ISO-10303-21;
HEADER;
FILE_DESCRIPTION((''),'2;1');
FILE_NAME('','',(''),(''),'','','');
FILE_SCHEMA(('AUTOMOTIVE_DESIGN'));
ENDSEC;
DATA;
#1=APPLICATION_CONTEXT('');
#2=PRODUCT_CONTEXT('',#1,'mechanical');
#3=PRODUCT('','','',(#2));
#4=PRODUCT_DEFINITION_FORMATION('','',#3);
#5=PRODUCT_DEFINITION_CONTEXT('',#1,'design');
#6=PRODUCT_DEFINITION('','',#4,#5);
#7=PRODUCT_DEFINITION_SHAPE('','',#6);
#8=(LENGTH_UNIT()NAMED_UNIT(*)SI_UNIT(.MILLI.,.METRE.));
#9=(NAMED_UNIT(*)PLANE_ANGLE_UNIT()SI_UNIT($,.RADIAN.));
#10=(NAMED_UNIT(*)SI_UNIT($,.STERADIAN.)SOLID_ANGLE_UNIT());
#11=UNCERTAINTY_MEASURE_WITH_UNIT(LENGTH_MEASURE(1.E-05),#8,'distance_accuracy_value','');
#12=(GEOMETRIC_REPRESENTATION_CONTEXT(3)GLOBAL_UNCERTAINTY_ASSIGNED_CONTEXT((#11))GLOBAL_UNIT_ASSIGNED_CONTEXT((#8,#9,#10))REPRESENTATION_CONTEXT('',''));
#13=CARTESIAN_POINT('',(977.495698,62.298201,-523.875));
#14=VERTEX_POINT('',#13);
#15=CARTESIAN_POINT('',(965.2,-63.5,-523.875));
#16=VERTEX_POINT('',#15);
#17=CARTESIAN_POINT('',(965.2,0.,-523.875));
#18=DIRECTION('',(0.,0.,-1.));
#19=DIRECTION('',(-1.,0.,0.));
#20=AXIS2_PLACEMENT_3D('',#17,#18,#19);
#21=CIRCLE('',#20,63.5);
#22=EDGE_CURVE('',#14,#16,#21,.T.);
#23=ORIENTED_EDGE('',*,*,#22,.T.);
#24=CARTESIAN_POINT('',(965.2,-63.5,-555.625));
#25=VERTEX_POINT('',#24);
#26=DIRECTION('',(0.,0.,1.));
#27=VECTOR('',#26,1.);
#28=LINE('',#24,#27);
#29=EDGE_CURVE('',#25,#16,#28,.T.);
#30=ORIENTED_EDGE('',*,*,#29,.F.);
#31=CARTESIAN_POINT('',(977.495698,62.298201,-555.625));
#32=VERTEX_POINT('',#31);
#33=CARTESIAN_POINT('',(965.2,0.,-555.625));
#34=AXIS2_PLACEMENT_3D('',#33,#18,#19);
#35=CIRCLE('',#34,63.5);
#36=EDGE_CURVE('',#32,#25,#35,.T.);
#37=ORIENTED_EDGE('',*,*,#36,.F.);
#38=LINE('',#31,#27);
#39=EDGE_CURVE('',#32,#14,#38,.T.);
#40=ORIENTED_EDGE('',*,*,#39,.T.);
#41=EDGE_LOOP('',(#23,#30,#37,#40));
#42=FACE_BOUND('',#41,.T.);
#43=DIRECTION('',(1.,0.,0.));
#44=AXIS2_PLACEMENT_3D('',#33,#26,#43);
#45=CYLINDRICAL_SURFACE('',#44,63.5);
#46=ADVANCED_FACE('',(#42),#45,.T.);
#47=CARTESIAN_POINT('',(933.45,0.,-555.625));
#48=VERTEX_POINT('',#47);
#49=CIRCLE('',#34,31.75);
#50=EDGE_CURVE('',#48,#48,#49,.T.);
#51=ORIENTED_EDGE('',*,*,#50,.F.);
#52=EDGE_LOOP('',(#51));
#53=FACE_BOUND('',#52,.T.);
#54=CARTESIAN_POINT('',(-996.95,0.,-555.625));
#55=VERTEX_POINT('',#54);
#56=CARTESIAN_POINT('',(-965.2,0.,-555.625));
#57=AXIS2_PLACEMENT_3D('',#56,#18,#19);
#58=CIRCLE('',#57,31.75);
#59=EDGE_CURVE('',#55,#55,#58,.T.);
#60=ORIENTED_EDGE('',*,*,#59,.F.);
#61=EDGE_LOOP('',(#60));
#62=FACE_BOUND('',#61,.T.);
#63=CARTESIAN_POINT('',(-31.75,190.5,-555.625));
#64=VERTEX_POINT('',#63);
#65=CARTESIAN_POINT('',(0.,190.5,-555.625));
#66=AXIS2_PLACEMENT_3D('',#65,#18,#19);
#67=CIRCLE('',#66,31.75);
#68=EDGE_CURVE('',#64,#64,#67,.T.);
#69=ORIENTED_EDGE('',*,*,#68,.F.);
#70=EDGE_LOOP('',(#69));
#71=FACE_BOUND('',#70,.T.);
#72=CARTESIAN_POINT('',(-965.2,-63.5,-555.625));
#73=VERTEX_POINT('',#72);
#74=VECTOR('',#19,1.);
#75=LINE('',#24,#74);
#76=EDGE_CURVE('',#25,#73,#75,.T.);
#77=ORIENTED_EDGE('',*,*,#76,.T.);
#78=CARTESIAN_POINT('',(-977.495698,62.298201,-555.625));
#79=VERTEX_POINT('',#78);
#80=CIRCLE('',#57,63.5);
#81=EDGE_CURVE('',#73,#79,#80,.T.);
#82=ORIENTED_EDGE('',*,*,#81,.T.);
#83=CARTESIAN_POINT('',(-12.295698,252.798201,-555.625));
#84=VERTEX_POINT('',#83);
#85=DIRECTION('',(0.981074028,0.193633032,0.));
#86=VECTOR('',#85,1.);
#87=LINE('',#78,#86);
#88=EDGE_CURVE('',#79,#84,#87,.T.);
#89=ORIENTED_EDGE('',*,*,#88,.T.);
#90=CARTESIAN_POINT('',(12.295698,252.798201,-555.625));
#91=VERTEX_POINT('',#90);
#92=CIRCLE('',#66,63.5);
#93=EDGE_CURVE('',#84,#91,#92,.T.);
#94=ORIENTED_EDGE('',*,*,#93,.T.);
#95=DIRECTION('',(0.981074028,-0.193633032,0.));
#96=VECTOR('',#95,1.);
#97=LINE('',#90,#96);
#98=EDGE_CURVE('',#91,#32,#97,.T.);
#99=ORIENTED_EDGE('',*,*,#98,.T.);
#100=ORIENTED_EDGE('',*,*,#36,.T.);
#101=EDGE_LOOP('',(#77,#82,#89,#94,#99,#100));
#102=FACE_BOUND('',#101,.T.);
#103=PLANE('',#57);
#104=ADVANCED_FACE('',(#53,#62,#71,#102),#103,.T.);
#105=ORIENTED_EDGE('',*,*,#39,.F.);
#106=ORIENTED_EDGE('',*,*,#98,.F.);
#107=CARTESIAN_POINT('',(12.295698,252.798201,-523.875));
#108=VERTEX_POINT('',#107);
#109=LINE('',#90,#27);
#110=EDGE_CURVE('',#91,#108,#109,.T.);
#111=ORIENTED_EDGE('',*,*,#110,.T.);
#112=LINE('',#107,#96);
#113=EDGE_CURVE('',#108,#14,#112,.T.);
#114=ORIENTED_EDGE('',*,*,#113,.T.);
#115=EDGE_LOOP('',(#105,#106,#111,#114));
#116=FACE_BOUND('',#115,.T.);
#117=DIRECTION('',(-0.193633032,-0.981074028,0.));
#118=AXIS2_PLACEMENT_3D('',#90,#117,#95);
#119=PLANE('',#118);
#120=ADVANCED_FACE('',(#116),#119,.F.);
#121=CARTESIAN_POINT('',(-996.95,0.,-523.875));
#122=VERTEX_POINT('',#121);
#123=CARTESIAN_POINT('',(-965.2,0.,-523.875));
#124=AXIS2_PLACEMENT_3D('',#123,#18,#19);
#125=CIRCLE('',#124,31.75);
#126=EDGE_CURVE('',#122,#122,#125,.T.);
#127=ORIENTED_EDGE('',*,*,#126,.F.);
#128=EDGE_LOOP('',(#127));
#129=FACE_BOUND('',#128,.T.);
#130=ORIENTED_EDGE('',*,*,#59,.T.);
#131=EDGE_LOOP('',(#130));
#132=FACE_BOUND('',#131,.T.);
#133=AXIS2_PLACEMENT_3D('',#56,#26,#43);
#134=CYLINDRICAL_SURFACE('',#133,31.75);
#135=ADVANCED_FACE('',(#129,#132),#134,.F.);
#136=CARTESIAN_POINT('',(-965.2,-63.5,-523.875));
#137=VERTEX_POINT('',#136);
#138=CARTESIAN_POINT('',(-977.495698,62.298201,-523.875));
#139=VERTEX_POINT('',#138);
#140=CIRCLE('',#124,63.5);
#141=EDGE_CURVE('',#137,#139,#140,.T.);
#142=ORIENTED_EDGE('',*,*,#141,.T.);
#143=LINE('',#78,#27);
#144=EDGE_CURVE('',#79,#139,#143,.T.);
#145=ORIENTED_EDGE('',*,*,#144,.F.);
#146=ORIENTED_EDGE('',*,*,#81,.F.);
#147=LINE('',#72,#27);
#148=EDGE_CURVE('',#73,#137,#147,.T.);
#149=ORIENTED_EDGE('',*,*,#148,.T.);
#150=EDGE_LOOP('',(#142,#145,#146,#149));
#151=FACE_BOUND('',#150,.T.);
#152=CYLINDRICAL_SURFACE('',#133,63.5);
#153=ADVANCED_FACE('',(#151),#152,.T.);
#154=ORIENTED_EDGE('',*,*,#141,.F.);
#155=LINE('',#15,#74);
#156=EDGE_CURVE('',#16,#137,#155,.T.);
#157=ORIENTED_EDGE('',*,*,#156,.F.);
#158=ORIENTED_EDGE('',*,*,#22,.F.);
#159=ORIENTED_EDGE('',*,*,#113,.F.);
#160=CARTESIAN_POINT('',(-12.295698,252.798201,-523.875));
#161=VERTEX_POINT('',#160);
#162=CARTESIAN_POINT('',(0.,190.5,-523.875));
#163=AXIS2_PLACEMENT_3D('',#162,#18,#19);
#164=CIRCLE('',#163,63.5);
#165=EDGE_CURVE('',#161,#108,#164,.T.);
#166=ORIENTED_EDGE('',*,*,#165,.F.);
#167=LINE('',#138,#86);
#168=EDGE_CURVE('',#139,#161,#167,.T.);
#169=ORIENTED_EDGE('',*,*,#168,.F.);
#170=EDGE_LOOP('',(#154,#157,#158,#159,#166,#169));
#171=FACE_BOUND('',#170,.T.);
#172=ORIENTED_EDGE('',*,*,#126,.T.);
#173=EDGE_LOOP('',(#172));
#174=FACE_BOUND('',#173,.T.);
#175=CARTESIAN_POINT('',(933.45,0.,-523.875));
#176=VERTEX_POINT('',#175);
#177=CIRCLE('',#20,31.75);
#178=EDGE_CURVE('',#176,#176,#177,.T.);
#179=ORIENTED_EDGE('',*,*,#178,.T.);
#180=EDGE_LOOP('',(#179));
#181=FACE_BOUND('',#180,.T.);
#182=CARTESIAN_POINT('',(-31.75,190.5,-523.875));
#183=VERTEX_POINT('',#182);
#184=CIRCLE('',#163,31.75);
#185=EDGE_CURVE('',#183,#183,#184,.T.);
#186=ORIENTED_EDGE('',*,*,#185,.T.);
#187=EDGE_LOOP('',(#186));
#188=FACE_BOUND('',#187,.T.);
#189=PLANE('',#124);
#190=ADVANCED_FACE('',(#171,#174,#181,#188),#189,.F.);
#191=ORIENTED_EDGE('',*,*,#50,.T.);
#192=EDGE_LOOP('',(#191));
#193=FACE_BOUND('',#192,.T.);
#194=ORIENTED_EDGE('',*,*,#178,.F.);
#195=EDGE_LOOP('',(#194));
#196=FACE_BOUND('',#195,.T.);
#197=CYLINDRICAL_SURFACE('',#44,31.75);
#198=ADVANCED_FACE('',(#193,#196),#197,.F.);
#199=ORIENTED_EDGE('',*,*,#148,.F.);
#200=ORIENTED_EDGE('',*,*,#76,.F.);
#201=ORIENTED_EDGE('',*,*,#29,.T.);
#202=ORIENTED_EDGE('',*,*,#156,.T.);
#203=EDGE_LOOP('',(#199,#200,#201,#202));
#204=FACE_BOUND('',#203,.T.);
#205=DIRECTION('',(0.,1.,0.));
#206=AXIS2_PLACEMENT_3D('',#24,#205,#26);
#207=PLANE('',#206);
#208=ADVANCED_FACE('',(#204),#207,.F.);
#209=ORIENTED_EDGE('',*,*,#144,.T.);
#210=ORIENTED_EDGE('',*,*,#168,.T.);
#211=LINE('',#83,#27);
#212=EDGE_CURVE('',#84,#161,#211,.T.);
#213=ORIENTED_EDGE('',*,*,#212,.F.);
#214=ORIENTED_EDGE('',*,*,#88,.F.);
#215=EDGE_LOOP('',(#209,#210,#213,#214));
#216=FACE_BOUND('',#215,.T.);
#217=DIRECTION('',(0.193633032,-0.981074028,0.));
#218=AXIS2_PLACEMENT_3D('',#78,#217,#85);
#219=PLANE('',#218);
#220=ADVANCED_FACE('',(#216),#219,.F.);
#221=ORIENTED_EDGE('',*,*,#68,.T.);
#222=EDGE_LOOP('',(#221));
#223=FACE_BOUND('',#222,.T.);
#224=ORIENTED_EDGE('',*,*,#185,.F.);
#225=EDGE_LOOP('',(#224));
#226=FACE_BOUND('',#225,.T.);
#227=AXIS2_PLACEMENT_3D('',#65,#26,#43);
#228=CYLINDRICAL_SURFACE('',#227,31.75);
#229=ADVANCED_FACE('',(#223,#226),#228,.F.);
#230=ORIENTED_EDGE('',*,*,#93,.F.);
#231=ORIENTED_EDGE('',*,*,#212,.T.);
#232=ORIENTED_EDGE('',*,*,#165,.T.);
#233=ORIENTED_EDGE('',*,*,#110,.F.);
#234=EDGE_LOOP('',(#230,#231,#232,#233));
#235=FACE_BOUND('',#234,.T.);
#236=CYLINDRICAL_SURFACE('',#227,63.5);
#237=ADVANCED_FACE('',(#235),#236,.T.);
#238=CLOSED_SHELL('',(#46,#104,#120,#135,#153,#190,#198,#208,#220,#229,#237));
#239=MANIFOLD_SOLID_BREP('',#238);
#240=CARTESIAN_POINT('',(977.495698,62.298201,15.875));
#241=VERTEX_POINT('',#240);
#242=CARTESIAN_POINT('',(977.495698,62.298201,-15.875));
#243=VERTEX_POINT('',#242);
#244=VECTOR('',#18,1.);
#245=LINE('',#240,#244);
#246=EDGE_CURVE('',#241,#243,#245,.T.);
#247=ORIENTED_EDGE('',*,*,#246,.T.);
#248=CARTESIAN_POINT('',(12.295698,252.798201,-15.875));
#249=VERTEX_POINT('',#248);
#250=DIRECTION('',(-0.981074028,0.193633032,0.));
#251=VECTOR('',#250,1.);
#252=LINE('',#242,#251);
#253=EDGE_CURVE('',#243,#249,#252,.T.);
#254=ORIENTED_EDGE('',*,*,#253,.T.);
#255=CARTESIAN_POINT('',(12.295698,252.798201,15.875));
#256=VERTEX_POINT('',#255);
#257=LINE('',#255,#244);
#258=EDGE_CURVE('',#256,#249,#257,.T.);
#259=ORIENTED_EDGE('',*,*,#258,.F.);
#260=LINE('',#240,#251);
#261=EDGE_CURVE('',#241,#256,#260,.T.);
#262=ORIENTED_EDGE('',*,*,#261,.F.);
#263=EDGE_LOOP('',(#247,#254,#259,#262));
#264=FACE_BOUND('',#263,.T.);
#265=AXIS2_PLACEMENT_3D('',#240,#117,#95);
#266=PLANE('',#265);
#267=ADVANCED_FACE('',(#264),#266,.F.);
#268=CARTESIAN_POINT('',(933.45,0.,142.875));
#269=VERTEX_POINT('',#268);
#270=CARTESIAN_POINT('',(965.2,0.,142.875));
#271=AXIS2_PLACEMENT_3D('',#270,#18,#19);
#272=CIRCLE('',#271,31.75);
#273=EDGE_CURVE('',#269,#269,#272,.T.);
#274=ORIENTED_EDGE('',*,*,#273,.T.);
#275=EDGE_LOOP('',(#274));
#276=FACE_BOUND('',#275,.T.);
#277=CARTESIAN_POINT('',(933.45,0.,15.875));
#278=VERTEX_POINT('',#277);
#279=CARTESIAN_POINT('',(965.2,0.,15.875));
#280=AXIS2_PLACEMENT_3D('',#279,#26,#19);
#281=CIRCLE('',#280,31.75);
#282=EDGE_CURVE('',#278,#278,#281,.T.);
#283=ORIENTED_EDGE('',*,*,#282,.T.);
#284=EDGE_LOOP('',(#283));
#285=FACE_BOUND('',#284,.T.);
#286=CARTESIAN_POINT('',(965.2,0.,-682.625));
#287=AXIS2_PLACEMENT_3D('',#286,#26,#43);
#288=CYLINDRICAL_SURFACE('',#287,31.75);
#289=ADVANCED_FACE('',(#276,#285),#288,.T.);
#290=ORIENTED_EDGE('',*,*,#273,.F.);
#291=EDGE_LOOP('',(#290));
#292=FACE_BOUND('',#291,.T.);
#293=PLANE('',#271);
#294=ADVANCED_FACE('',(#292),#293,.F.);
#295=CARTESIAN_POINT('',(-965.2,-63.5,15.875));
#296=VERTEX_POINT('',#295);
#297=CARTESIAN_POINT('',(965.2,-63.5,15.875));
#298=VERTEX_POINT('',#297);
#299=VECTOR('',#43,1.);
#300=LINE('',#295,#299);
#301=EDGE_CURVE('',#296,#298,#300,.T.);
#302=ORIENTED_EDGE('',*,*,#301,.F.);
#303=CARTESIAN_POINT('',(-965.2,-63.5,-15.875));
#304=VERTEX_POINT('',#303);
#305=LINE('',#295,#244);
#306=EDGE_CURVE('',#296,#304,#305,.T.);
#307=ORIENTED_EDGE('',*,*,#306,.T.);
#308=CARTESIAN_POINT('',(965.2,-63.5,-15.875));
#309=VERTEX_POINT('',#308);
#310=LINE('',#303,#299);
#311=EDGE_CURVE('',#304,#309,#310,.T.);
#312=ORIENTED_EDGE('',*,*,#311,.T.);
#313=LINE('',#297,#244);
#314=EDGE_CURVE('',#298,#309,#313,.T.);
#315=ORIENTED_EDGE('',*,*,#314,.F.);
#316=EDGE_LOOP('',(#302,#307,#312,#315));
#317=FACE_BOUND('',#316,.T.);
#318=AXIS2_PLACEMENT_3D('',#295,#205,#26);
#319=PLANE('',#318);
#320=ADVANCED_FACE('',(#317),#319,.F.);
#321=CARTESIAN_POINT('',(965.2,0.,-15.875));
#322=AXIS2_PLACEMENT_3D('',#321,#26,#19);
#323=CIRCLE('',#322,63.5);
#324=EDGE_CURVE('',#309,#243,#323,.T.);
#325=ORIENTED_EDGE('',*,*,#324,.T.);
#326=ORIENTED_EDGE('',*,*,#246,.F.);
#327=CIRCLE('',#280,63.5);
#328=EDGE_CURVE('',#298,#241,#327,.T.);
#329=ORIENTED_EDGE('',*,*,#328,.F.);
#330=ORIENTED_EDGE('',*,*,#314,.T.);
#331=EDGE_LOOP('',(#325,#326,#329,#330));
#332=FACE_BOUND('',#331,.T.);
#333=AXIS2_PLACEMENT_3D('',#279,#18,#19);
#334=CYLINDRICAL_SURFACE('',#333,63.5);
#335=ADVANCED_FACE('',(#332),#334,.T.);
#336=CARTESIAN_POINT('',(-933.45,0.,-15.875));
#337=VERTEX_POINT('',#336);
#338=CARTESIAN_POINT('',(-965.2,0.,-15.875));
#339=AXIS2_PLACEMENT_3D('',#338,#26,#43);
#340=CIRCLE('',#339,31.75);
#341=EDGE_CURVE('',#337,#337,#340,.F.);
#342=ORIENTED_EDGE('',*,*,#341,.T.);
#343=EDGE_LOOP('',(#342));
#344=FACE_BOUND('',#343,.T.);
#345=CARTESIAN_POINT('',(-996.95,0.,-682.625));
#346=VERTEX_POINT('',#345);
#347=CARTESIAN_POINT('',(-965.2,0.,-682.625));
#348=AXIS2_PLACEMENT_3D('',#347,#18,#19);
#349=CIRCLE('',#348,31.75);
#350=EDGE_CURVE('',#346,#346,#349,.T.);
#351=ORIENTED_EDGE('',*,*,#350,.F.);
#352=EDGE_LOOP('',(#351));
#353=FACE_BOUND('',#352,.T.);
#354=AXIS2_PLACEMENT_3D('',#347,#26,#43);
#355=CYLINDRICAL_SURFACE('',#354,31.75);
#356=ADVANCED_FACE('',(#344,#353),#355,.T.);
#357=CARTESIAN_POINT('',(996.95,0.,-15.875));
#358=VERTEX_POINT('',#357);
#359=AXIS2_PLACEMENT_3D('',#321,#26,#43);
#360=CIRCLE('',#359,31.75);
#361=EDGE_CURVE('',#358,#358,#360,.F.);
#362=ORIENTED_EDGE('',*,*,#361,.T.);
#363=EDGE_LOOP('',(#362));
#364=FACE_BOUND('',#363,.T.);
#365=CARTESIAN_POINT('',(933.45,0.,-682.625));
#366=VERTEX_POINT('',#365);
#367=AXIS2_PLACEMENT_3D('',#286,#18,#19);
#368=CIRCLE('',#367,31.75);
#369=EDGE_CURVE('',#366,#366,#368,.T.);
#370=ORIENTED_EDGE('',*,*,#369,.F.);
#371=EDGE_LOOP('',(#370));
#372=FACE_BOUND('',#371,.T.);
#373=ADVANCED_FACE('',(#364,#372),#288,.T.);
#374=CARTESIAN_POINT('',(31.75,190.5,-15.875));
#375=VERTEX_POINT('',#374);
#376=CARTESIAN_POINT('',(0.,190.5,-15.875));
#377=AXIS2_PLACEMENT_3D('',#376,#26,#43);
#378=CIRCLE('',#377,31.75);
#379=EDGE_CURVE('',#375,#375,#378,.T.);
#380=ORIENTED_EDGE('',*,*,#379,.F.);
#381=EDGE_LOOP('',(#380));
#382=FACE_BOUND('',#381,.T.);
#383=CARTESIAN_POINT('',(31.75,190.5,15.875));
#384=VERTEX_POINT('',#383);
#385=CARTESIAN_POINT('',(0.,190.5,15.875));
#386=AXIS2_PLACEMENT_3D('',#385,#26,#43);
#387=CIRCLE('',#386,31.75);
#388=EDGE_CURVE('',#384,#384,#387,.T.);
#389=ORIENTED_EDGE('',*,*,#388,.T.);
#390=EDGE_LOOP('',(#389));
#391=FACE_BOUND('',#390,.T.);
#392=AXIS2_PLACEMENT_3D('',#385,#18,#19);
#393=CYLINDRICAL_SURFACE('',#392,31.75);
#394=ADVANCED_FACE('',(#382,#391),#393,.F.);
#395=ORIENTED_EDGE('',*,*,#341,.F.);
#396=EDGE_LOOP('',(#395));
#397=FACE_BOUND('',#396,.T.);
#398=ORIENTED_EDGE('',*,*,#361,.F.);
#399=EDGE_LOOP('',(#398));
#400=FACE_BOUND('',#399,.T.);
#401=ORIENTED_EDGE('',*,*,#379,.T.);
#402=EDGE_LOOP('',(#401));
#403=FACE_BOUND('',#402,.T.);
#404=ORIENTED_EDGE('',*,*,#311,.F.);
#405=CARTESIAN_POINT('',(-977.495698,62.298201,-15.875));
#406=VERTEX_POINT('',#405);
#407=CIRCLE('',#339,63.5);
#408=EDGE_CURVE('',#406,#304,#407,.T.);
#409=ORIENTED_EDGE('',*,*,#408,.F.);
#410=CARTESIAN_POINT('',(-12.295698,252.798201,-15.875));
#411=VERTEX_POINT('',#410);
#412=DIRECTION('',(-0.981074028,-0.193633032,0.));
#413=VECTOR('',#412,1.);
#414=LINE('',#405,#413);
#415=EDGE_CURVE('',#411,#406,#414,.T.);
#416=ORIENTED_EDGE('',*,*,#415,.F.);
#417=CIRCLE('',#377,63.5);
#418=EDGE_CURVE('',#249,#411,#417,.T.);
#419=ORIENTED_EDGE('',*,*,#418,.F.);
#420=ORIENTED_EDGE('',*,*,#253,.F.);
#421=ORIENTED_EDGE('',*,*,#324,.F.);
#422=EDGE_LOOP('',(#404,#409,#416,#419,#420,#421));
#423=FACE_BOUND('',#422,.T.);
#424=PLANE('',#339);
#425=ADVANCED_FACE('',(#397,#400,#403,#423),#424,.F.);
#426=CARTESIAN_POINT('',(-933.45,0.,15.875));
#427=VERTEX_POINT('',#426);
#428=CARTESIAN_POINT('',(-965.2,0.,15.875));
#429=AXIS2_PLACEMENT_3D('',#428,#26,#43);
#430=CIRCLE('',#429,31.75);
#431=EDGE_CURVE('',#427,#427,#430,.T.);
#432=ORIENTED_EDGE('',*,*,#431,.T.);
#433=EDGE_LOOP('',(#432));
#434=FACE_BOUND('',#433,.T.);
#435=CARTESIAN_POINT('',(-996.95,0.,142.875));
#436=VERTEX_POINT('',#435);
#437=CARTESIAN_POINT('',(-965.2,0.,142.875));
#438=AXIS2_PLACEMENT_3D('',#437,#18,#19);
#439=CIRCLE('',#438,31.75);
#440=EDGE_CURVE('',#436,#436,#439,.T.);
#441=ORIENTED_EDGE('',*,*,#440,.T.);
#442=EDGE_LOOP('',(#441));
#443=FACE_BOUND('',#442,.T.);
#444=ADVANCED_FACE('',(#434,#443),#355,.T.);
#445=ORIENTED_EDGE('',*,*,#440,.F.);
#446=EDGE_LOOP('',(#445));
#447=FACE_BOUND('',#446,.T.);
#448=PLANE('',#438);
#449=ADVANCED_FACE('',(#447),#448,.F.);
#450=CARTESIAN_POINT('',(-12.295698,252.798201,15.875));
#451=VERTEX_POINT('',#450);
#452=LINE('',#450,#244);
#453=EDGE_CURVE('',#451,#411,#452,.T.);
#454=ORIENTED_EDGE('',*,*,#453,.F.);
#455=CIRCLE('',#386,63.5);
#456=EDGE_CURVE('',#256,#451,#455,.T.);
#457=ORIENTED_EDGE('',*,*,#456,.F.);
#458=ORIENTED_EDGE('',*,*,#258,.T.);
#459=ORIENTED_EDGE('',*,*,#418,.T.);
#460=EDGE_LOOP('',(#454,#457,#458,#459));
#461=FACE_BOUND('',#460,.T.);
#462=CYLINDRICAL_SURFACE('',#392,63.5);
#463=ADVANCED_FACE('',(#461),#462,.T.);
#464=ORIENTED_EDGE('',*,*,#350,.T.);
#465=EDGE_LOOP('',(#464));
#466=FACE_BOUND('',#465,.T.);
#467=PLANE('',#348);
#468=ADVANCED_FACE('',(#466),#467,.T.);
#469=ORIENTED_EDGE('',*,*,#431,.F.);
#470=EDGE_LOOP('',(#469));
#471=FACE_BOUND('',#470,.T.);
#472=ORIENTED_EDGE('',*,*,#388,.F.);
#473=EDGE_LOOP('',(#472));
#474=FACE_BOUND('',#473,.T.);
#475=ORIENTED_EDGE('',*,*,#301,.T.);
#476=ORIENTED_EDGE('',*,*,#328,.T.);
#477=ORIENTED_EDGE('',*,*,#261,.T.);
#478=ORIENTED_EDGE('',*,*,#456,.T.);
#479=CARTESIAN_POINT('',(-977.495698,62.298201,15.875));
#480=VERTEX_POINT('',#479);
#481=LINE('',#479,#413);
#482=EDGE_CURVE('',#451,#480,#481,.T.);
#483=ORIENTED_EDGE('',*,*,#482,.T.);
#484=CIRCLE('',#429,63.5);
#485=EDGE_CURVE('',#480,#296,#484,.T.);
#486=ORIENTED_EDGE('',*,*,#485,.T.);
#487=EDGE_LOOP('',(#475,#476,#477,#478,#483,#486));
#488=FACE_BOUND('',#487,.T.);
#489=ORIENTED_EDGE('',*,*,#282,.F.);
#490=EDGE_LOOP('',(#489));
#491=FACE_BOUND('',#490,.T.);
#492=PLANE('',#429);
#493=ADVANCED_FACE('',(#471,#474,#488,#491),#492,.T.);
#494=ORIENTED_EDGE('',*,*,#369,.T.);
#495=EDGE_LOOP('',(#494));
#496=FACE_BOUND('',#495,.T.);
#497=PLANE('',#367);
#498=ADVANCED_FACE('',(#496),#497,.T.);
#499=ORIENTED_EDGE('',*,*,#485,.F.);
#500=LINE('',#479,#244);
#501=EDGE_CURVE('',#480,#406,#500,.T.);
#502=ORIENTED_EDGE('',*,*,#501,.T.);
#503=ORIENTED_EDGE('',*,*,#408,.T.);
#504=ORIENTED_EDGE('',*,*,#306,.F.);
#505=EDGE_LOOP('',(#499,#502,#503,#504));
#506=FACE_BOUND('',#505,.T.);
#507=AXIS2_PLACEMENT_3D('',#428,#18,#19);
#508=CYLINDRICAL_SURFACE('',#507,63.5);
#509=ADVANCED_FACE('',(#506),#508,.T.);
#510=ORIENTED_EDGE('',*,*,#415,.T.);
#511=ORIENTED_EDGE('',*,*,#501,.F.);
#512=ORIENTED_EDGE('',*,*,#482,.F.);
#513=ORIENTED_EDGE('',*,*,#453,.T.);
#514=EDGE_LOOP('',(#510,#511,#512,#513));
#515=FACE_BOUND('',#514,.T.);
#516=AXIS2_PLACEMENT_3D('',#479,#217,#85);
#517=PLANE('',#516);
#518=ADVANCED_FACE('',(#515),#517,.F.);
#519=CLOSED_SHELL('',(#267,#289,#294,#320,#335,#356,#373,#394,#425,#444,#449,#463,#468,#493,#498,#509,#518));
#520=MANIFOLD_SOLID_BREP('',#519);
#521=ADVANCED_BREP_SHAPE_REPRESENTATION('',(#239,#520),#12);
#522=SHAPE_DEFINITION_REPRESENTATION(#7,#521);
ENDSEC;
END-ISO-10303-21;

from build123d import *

# Parameters (mm, degrees)
SKETCH1_R                = 31.75
BOSS_EXTRUDE1_DEPTH      = 15.875
BOSS_EXTRUDE3_DEPTH      = 666.75
BOSS_EXTRUDE3_DEPTH_BACK = 158.75
SKETCH4_R                = 31.75
SKETCH5_R                = 31.75
BOSS_EXTRUDE4_DEPTH      = 31.75


with BuildPart() as part:
    # Sketch1 → Boss-Extrude1 (new, symmetric)
    with BuildSketch(Plane.XY):
        with BuildLine():
            Line((977.495697525, 62.298200796), (12.295697525, 252.798200796))
            ThreePointArc((12.295697525, 252.798200796), (0, 254), (-12.295697525, 252.798200796))
            Line((-12.295697525, 252.798200796), (-977.495697525, 62.298200796))
            ThreePointArc((-977.495697525, 62.298200796), (-1028.398836028, -6.177145355), (-965.2, -63.5))
            Line((-965.2, -63.5), (965.2, -63.5))
            ThreePointArc((965.2, -63.5), (1028.398836028, -6.177145355), (977.495697525, 62.298200796))
        make_face()
        with Locations((0, 190.5)):
            Circle(SKETCH1_R, mode=Mode.SUBTRACT)
        with Locations((-965.2, 0)):
            Circle(SKETCH1_R, mode=Mode.SUBTRACT)
        with Locations(Location((965.2, 0, 0), (0, 0, 180))):
            Circle(SKETCH1_R, mode=Mode.SUBTRACT)
    extrude(amount=BOSS_EXTRUDE1_DEPTH, both=True)

    # Sketch4 → Boss-Extrude3 (add, two sides: drawn at the far end of the back side and taken through both)
    with BuildSketch(Plane(origin=(0, 0, -15.875), x_dir=(-1, 0, 0), z_dir=(0, 0, -1)).offset(-BOSS_EXTRUDE3_DEPTH_BACK)):
        with Locations(Location((-965.2, 0, 0), (0, 0, 180))):
            Circle(SKETCH4_R)
        with Locations(Location((965.2, 0, 0), (0, 0, 180))):
            Circle(SKETCH4_R)
    extrude(amount=BOSS_EXTRUDE3_DEPTH + BOSS_EXTRUDE3_DEPTH_BACK)


with BuildPart() as body_2:
    # Sketch5 → Boss-Extrude4 (new body)
    with BuildSketch(Plane(origin=(0, 0, -523.875), x_dir=(-1, 0, 0), z_dir=(0, 0, -1))):
        with BuildLine():
            Line((977.495697525, 62.298200796), (12.295697525, 252.798200796))
            ThreePointArc((12.295697525, 252.798200796), (0, 254), (-12.295697525, 252.798200796))
            Line((-12.295697525, 252.798200796), (-977.495697525, 62.298200796))
            ThreePointArc((-977.495697525, 62.298200796), (-1028.398836028, -6.177145355), (-965.2, -63.5))
            Line((-965.2, -63.5), (965.2, -63.5))
            ThreePointArc((965.2, -63.5), (1028.398836028, -6.177145355), (977.495697525, 62.298200796))
        make_face()
        with Locations((0, 190.5)):
            Circle(SKETCH5_R, mode=Mode.SUBTRACT)
        with Locations((965.2, 0)):
            Circle(SKETCH5_R, mode=Mode.SUBTRACT)
        with Locations((-965.2, 0)):
            Circle(SKETCH5_R, mode=Mode.SUBTRACT)
    extrude(amount=BOSS_EXTRUDE4_DEPTH)


solid = Compound([part.part, body_2.part])
